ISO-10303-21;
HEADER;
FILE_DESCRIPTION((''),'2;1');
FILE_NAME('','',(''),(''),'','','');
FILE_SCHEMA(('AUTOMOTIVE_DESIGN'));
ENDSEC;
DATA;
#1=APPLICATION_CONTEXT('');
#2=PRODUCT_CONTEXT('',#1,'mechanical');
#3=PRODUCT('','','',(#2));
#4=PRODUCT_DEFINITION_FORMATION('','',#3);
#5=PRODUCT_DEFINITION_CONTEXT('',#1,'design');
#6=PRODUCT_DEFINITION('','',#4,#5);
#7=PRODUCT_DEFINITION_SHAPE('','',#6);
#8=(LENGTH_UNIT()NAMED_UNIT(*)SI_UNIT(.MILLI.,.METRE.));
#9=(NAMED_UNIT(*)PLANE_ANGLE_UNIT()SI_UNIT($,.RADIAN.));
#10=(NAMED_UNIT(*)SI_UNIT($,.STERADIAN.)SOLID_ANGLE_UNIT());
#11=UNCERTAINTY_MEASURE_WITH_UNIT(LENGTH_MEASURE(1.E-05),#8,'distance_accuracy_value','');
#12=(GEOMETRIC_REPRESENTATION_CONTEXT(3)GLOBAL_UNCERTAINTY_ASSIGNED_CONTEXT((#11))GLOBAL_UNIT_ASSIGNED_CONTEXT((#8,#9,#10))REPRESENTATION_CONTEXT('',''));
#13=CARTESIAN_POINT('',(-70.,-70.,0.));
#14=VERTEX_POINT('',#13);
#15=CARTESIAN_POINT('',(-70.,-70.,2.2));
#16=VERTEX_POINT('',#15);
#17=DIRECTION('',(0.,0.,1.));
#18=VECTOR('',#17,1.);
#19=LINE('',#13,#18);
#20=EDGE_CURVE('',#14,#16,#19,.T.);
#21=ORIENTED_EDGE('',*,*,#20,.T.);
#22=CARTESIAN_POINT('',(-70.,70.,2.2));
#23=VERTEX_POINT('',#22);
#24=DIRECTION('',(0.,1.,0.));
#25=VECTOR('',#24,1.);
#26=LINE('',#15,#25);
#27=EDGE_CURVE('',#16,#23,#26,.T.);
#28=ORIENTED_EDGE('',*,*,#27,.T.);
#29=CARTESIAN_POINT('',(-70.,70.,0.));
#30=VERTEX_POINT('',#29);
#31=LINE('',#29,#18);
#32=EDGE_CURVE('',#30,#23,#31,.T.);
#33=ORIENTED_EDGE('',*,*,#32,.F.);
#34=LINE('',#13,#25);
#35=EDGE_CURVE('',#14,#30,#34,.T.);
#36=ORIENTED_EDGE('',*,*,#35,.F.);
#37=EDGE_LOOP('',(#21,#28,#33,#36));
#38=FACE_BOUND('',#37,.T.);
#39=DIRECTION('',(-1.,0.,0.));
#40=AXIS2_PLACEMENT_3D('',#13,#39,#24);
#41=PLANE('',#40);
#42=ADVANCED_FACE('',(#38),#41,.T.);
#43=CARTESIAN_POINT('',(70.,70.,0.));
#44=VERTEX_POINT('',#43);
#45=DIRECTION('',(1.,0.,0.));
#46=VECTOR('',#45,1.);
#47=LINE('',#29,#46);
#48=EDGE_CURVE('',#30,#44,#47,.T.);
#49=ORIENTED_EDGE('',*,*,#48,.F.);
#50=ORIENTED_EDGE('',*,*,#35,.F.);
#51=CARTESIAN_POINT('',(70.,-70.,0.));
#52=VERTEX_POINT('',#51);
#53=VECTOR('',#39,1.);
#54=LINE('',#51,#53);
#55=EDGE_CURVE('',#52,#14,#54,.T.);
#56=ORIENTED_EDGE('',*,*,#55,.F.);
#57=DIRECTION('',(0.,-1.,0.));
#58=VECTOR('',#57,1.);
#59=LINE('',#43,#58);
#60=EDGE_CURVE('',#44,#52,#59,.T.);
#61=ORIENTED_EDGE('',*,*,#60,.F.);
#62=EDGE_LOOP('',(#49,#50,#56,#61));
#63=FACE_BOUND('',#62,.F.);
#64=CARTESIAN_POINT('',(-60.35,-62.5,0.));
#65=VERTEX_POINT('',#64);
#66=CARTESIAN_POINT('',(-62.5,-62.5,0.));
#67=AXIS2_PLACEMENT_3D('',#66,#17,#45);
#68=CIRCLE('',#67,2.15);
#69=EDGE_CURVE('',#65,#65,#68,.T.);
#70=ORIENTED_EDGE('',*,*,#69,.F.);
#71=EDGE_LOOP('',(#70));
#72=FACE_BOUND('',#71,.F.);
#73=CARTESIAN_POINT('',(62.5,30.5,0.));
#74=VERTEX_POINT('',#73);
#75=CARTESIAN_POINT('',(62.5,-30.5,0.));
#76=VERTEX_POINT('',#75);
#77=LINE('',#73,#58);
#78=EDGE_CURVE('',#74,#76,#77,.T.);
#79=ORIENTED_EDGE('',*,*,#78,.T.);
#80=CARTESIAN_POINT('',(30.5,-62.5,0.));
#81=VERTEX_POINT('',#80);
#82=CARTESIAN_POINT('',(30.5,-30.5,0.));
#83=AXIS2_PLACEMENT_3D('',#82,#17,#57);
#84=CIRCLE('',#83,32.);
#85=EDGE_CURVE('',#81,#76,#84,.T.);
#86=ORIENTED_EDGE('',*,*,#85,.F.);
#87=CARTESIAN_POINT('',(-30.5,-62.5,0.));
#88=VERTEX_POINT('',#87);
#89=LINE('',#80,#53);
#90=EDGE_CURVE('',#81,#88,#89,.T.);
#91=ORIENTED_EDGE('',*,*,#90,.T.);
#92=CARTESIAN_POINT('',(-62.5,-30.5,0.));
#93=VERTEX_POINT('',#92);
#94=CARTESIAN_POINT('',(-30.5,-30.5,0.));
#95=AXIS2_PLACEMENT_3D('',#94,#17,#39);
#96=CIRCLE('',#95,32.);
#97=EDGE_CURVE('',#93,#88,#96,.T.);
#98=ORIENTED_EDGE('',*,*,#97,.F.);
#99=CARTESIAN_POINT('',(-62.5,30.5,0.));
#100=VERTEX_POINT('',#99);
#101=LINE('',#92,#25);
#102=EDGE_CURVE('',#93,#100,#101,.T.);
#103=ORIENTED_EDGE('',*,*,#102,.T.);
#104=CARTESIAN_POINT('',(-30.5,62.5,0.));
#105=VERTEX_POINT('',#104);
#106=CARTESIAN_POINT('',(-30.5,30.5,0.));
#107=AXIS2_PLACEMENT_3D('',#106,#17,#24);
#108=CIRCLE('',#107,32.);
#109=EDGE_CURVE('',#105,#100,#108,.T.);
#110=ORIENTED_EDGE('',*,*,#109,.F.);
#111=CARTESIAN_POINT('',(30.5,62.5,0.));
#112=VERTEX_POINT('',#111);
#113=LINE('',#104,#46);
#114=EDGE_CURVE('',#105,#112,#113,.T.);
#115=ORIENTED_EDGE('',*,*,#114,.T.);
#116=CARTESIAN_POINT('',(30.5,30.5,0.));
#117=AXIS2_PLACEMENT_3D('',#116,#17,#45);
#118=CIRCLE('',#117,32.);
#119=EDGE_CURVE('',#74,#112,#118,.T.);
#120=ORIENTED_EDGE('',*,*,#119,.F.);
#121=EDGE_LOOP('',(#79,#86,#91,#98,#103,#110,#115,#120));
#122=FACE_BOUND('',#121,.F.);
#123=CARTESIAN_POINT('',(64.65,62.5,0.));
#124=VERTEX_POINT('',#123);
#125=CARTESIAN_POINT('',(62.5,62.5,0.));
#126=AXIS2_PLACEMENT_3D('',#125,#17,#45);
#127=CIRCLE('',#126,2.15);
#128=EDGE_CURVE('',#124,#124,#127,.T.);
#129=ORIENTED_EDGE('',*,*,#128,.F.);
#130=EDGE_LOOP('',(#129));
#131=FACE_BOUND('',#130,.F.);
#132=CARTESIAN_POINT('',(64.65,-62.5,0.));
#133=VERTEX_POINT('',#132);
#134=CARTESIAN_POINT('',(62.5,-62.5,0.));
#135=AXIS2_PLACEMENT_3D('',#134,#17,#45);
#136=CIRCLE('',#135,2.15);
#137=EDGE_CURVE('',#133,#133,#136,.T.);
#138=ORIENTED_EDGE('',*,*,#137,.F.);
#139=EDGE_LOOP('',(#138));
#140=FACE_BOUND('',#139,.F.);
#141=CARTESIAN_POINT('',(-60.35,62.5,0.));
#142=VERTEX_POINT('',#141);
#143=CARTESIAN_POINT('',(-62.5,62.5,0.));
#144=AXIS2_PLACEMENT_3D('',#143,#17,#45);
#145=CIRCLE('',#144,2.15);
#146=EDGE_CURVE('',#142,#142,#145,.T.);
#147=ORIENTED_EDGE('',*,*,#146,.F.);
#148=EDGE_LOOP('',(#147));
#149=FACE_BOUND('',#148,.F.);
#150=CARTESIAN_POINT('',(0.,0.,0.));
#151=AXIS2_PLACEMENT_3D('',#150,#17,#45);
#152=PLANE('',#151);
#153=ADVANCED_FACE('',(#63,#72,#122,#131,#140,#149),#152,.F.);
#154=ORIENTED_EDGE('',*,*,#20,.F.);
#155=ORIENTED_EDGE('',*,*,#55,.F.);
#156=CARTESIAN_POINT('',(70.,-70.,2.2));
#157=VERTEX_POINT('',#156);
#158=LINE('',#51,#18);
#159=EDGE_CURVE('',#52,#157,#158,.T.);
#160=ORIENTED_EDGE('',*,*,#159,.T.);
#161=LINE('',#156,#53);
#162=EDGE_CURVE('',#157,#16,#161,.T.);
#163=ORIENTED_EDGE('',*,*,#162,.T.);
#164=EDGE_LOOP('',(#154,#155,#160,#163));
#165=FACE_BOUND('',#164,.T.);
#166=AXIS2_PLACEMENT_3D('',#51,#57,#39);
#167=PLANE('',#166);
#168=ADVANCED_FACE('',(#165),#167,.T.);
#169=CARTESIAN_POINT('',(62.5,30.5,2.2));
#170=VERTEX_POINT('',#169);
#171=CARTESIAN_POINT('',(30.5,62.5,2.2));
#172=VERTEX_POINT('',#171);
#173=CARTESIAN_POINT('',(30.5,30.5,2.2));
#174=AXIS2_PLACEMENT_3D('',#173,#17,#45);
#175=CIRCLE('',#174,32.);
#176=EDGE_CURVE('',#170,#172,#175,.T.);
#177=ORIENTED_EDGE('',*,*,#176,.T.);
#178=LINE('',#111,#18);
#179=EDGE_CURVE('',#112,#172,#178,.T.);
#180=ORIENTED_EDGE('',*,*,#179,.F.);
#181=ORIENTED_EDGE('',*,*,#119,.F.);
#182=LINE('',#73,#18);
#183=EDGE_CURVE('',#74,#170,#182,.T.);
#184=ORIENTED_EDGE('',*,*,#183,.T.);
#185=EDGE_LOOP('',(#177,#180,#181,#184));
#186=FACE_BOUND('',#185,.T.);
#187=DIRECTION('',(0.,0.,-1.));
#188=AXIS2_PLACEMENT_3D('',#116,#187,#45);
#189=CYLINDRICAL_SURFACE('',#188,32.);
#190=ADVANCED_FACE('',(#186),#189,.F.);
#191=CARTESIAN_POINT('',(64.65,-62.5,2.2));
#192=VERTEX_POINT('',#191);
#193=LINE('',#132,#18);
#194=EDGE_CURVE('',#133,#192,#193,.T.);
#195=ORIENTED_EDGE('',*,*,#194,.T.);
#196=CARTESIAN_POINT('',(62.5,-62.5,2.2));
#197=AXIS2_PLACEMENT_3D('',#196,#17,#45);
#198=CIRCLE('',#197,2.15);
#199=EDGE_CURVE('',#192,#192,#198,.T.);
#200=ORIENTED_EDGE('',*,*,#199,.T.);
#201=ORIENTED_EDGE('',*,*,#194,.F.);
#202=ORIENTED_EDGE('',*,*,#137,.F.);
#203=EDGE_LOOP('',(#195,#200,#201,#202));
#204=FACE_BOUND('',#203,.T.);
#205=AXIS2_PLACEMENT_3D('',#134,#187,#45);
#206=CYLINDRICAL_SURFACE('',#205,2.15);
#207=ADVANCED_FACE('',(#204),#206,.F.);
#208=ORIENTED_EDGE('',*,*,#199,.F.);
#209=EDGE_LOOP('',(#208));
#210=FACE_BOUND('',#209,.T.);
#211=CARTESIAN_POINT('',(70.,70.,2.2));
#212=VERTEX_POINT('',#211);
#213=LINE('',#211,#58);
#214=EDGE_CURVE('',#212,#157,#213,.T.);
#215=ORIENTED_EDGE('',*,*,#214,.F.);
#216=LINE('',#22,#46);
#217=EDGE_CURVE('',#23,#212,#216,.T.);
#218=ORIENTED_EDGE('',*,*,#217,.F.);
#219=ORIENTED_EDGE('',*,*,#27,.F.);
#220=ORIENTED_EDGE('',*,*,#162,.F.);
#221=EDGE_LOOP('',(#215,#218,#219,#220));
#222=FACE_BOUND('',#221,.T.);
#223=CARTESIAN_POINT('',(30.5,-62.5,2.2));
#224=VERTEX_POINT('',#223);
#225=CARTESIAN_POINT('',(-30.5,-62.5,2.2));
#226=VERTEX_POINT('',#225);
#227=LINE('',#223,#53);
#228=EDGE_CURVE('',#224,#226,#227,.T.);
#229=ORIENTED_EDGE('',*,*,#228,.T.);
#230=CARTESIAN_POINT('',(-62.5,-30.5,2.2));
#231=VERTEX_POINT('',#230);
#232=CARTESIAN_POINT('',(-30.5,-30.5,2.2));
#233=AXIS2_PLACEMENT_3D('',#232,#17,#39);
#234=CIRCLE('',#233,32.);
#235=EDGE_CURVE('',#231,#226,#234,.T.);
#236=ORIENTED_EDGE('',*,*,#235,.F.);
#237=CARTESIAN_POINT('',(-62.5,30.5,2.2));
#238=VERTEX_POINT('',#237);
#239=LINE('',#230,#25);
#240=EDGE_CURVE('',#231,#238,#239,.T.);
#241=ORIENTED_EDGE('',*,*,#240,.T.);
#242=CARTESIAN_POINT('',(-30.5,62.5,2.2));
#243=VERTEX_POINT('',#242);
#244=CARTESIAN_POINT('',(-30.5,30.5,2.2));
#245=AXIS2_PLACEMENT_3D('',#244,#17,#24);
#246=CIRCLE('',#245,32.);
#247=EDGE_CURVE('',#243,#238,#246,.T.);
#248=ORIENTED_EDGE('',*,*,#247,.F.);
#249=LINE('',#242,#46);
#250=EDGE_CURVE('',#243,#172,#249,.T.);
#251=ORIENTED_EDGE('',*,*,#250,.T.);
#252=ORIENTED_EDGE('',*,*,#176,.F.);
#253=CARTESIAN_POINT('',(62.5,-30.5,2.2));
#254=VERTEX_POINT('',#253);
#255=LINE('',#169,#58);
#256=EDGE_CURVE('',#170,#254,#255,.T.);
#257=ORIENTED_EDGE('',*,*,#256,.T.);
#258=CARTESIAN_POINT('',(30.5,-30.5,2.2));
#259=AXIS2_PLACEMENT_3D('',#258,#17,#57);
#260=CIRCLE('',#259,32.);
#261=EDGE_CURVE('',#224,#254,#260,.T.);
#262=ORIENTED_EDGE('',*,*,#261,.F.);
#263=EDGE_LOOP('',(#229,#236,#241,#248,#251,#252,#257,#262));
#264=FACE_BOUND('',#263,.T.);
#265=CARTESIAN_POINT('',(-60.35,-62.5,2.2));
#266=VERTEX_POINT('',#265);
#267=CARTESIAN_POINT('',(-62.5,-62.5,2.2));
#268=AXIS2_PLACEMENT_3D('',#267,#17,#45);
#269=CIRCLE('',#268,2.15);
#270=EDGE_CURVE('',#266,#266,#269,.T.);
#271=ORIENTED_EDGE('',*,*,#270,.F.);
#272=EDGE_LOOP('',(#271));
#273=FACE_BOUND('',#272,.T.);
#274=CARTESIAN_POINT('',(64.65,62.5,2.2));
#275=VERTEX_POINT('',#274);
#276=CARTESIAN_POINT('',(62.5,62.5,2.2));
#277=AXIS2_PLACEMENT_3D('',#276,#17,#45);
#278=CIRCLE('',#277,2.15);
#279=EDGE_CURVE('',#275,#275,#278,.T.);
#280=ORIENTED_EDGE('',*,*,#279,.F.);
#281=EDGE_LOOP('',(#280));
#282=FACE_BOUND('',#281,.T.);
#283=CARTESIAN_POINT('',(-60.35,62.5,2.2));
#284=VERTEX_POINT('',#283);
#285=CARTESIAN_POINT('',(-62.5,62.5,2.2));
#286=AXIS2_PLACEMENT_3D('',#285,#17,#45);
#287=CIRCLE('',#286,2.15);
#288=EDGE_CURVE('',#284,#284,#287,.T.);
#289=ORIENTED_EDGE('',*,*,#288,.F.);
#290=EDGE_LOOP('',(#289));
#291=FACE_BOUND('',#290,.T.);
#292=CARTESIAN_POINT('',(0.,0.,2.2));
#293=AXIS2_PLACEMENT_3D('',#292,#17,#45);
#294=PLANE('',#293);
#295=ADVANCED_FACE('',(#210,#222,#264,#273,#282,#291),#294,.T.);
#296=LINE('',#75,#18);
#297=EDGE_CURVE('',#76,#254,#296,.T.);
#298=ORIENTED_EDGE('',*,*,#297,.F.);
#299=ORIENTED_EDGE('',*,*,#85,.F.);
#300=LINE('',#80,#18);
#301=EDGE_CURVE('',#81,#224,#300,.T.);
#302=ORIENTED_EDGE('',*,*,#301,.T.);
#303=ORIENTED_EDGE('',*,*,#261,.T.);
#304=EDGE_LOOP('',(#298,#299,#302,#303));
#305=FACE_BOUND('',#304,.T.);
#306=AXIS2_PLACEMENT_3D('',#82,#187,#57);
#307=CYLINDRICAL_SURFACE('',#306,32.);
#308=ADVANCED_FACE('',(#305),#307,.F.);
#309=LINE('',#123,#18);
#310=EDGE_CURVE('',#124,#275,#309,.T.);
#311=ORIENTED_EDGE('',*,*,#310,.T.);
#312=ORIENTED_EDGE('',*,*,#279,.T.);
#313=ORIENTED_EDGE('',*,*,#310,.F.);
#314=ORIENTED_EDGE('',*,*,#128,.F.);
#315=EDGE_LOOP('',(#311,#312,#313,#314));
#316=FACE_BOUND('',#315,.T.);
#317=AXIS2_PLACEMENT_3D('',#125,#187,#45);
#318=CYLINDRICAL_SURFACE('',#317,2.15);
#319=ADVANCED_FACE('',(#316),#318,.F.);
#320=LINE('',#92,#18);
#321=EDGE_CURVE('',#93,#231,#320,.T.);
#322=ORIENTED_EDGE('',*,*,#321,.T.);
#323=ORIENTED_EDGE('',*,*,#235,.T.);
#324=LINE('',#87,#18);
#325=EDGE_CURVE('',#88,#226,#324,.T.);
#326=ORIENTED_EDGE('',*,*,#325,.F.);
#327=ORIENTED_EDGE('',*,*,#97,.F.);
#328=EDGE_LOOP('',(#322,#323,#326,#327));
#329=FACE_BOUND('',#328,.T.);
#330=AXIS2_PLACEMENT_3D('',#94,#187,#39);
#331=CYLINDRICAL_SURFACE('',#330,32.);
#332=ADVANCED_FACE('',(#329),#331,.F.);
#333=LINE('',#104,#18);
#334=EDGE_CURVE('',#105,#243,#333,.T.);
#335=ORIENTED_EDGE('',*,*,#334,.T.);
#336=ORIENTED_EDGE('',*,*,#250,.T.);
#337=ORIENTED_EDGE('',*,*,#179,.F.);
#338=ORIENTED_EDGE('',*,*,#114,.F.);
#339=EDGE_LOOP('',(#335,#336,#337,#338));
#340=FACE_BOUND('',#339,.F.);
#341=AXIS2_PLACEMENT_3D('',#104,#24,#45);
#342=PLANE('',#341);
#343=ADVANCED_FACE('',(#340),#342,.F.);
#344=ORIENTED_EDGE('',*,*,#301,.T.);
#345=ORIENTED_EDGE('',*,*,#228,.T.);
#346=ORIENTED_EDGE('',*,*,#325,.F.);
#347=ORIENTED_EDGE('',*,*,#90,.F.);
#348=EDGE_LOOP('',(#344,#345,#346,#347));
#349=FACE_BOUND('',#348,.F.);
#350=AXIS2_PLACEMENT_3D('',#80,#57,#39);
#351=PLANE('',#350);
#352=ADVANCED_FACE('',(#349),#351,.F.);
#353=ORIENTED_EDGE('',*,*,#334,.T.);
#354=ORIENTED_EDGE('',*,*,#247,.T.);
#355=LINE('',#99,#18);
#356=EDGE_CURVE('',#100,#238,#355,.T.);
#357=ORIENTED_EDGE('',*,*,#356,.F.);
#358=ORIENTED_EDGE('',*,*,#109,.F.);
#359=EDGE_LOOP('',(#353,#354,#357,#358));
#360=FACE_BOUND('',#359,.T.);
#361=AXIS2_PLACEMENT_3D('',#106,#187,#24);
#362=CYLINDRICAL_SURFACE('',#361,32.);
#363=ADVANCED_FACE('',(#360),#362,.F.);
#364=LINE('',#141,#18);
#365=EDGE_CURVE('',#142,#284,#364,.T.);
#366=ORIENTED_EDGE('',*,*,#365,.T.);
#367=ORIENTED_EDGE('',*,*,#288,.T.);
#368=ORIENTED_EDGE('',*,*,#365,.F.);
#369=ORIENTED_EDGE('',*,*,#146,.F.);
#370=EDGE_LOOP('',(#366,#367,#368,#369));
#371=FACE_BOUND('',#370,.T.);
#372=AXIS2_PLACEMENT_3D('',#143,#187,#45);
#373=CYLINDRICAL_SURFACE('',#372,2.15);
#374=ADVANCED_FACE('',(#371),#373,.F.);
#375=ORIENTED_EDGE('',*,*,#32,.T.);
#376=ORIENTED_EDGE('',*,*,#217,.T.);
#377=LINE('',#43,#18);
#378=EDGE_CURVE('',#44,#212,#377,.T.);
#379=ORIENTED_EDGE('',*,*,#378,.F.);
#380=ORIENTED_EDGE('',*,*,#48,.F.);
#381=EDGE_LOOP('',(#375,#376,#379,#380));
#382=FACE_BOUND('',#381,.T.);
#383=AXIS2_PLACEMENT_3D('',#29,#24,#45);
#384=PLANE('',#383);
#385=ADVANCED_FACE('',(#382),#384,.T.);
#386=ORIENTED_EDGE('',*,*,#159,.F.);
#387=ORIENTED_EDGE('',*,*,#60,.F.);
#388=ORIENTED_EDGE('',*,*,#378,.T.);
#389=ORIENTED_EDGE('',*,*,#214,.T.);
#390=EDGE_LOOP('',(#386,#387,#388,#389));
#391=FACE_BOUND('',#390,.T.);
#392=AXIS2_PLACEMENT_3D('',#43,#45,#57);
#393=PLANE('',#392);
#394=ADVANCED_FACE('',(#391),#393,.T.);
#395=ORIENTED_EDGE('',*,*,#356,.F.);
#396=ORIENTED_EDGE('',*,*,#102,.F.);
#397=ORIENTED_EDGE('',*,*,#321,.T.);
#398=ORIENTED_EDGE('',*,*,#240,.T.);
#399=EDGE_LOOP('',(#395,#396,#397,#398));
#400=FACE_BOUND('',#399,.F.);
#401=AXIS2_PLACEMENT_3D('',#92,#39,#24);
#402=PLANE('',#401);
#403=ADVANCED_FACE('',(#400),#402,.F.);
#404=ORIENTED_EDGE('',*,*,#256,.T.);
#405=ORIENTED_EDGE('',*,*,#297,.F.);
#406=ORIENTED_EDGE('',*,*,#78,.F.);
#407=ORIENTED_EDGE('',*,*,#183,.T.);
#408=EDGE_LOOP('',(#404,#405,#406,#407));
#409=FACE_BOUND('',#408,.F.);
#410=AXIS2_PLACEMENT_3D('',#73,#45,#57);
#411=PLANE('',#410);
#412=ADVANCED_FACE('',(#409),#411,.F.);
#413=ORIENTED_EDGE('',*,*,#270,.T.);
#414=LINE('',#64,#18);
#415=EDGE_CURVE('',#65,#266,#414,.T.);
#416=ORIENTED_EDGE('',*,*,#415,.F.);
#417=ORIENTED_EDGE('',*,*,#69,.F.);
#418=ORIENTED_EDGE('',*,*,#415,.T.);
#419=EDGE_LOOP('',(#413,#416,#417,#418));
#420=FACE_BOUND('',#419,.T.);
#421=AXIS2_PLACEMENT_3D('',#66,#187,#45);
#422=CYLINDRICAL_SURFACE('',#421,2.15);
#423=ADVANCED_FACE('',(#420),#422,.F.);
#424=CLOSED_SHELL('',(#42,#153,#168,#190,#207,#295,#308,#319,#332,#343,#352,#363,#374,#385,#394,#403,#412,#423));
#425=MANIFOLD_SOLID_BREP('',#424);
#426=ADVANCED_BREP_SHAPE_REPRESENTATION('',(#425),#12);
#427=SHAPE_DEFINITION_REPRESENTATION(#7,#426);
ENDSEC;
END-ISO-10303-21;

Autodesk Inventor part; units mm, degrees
ref_plane "YZ Plane" through (0, 0, 0) normal (1, 0, 0) x (0, 1, 0)
ref_plane "XZ Plane" through (0, 0, 0) normal (0, 1, 0) x (-1, 0, 0)
ref_plane "XY Plane" through (0, 0, 0) normal (0, 0, 1) x (1, 0, 0)
sketch "スケッチ1" plane through (0, 0, 0) normal (0, 0, 1) x (1, 0, 0)
  line L0 (-70, 70) -> (70, 70)
  line L1 (70, 70) -> (70, -70)
  line L2 (70, -70) -> (-70, -70)
  line L3 (-70, -70) -> (-70, 70)
  line L4 (-62.5, 62.5) -> (62.5, 62.5) construction
  line L5 (62.5, 62.5) -> (62.5, -62.5) construction
  line L6 (62.5, -62.5) -> (-62.5, -62.5) construction
  line L7 (-62.5, -62.5) -> (-62.5, 62.5) construction
  circle A0 centre (-62.5, 62.5) radius 2.15
  line L8 (-30.5, 62.5) -> (30.5, 62.5)
  line L9 (62.5, 30.5) -> (62.5, -30.5)
  line L10 (30.5, -62.5) -> (-30.5, -62.5)
  line L11 (-62.5, -30.5) -> (-62.5, 30.5)
  arc A1 (-30.5, 62.5) -> (-62.5, 30.5) centre (-30.5, 30.5) ccw
  arc A2 (-62.5, -30.5) -> (-30.5, -62.5) centre (-30.5, -30.5) ccw
  arc A3 (30.5, -62.5) -> (62.5, -30.5) centre (30.5, -30.5) ccw
  arc A4 (62.5, 30.5) -> (30.5, 62.5) centre (30.5, 30.5) ccw
  line L12 (53.1274, 53.1274) -> (-53.1274, -53.1274) construction
  circle A5 centre (-62.5, -62.5) radius 2.15
  circle A6 centre (62.5, -62.5) radius 2.15
  circle A7 centre (62.5, 62.5) radius 2.15
  point P0 (0, 0)
  point P1 (-70, 0)
  point P2 (0, 70)
  point P3 (-62.5, 0)
  point P4 (0, 62.5)
  dimension "d0" = 140
  dimension "d1" = 125
  dimension "d3" = 4.3
  dimension "d4" = 32
  dimension "d5" = 150.267
extrude "押し出し1" add sketch "スケッチ1" along normal blind 2.2
properties part number "mesh_140" material "アルミニウム 6061"
